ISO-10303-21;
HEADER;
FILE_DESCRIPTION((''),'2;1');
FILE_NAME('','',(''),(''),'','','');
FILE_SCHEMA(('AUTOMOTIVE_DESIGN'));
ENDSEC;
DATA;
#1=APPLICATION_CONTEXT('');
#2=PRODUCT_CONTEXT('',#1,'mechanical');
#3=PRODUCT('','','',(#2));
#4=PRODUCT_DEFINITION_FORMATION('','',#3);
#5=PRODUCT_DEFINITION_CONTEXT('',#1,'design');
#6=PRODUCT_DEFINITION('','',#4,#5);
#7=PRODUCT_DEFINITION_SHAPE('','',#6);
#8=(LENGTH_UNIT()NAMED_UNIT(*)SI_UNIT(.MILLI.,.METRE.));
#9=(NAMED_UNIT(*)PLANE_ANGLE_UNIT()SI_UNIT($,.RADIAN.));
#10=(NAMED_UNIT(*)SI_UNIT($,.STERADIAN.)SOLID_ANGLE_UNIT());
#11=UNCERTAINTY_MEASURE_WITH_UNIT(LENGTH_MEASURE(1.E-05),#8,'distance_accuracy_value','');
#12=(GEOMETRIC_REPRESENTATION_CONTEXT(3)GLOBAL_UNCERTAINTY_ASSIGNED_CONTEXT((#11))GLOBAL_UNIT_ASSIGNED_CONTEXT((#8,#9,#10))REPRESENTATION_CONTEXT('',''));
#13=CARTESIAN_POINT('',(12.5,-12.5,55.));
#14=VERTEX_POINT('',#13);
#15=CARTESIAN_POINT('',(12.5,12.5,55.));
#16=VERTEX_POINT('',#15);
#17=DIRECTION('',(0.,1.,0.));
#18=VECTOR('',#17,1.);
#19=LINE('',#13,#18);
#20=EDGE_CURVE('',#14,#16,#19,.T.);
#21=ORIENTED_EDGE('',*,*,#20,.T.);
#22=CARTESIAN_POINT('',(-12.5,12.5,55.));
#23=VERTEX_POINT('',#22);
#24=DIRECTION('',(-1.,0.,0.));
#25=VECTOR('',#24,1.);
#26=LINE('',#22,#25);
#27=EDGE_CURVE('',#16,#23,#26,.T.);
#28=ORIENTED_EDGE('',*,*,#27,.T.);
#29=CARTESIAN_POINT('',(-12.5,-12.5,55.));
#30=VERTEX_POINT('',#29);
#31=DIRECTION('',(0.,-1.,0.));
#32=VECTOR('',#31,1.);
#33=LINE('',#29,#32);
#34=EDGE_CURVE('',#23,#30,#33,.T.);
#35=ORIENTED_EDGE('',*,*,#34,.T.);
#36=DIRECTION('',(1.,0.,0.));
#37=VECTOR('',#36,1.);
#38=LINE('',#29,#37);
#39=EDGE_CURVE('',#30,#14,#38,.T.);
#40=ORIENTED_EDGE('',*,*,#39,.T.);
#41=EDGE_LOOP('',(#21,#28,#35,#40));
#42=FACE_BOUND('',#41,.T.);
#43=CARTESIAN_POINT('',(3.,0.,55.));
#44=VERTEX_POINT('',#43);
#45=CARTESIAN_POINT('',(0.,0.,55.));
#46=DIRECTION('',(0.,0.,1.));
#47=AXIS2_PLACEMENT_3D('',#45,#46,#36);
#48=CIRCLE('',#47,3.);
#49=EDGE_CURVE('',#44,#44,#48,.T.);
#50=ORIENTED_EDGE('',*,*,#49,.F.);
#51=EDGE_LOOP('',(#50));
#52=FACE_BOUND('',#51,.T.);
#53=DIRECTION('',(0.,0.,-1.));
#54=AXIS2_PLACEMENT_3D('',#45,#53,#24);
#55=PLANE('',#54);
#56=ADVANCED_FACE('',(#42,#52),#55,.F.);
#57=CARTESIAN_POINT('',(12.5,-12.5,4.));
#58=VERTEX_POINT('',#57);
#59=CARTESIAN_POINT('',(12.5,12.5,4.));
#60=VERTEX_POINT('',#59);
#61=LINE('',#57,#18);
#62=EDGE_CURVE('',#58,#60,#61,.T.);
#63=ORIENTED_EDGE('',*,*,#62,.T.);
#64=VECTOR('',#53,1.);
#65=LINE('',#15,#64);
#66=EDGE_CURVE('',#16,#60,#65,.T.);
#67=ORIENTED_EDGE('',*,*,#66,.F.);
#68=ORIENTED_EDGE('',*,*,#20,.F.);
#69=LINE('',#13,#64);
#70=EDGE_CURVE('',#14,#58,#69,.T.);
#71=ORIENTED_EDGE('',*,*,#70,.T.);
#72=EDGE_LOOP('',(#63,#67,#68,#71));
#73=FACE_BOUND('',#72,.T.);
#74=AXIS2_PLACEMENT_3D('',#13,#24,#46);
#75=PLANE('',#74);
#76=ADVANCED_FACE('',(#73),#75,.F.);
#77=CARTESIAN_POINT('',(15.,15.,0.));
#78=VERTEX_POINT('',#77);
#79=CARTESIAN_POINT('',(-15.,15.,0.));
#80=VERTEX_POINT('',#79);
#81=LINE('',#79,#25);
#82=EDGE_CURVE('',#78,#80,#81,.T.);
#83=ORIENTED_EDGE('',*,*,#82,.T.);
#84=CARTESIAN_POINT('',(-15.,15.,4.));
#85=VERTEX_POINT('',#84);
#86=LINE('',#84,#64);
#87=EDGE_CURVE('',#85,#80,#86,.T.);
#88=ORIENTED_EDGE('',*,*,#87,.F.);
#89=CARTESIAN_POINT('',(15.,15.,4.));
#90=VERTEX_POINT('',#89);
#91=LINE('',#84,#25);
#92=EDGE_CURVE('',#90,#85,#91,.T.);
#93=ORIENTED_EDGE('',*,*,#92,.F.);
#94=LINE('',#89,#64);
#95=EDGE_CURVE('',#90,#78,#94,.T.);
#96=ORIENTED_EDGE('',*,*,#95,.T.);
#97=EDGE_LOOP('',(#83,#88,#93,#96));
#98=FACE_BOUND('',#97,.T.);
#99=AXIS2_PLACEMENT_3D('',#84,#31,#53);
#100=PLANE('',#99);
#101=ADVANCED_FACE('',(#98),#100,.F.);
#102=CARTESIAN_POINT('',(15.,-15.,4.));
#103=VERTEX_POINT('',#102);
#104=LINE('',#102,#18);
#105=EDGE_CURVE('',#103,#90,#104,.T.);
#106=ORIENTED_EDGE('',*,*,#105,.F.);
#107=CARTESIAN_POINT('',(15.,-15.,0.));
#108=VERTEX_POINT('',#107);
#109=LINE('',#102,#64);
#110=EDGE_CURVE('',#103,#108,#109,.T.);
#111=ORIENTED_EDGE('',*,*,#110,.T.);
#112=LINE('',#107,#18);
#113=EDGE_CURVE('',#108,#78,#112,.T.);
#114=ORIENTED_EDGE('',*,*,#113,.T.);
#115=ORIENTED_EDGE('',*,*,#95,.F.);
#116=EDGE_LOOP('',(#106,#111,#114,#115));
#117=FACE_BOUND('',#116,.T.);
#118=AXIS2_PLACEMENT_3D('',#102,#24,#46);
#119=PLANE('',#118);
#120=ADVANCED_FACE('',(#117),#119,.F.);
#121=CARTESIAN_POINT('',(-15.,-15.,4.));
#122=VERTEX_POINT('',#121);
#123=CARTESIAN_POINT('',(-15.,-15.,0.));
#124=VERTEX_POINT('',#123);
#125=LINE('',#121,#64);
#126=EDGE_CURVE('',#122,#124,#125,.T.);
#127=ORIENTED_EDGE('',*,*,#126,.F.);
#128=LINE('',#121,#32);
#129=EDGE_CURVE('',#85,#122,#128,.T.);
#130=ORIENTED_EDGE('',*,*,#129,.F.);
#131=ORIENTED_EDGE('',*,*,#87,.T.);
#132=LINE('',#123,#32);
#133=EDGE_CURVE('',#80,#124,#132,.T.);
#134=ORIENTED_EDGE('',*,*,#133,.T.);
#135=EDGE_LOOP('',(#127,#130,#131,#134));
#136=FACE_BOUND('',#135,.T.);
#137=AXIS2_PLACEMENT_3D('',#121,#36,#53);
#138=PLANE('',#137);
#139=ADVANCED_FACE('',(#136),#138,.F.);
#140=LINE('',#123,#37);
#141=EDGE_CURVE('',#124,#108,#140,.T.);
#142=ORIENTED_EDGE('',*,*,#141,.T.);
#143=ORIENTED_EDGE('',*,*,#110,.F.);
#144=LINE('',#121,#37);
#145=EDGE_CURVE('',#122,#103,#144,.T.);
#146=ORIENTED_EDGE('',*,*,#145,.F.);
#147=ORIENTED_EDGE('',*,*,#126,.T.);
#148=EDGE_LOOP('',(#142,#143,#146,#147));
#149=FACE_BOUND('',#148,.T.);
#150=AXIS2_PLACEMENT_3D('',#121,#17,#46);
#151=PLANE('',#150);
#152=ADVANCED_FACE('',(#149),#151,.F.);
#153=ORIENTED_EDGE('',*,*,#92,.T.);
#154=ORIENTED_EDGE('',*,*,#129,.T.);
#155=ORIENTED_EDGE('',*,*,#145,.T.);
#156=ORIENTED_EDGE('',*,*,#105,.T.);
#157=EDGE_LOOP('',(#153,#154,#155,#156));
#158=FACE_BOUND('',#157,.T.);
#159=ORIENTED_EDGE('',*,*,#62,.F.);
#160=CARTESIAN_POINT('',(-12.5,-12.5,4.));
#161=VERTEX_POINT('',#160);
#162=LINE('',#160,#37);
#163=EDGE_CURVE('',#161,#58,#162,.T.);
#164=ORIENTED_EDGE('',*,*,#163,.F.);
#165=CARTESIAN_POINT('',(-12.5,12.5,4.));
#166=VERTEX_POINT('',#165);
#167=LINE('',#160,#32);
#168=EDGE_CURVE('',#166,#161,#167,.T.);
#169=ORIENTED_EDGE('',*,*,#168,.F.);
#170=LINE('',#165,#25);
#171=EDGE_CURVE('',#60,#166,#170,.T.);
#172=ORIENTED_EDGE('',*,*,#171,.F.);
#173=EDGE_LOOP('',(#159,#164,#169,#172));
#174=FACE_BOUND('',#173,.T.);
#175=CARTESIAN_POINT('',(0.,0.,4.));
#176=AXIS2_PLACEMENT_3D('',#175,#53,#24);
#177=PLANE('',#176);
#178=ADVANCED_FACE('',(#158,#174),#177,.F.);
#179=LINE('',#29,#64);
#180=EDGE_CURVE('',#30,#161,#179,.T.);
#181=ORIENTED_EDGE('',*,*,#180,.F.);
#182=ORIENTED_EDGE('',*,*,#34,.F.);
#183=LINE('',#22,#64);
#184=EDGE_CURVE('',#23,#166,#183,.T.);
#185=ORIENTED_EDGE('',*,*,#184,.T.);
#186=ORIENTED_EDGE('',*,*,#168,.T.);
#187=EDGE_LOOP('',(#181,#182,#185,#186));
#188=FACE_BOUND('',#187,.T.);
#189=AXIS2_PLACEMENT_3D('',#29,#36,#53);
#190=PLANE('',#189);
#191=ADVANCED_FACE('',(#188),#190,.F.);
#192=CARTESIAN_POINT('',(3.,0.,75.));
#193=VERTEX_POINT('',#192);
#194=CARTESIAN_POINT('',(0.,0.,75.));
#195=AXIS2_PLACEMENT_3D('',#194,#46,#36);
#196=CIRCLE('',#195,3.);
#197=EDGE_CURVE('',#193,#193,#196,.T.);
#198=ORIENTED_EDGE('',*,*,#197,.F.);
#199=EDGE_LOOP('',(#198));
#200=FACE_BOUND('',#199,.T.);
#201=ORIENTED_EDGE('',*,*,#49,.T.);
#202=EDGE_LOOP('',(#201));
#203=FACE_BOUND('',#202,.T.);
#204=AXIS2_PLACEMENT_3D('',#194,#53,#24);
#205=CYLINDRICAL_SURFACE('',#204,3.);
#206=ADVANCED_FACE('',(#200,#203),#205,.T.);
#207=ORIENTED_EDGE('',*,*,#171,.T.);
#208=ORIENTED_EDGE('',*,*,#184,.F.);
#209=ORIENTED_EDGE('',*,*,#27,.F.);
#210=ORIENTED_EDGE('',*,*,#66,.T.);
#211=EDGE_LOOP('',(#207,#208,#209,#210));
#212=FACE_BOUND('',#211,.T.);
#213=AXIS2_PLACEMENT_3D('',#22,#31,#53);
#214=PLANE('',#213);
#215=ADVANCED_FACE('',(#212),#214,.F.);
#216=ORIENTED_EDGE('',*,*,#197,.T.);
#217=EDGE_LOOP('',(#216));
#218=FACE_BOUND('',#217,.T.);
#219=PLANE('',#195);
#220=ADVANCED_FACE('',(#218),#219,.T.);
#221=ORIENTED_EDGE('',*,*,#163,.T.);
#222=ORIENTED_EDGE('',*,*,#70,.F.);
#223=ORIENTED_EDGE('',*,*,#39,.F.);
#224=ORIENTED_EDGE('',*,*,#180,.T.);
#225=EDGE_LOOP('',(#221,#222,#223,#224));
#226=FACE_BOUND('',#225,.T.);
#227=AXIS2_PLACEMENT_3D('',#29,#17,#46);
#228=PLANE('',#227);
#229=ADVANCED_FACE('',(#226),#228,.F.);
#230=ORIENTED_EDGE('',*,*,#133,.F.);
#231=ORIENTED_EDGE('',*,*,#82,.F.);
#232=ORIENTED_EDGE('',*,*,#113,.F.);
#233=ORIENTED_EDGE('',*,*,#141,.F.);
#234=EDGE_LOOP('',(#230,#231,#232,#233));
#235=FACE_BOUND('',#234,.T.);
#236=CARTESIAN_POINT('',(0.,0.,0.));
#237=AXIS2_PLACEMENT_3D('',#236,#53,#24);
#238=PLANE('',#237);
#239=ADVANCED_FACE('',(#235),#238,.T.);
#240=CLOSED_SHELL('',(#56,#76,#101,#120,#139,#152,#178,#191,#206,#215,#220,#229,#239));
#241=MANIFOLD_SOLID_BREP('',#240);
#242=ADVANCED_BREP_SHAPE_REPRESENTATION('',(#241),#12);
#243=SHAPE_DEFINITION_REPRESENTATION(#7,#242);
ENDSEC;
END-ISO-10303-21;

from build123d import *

# Parameters (mm, degrees)
SKETCH1_W           = 30
SKETCH1_H           = 30
BOSS_EXTRUDE1_DEPTH = 4
SKETCH2_W           = 25
SKETCH2_H           = 25
BOSS_EXTRUDE2_DEPTH = 51
SKETCH3_R           = 3
BOSS_EXTRUDE3_DEPTH = 20


with BuildPart() as part:
    # Sketch1 → Boss-Extrude1 (new body)
    with BuildSketch(Plane.XY):
        Rectangle(SKETCH1_W, SKETCH1_H)
    extrude(amount=BOSS_EXTRUDE1_DEPTH)

    # Sketch2 → Boss-Extrude2 (add)
    with BuildSketch(Plane.XY.offset(4)):
        Rectangle(SKETCH2_W, SKETCH2_H)
    extrude(amount=BOSS_EXTRUDE2_DEPTH)

    # Sketch3 → Boss-Extrude3 (add)
    with BuildSketch(Plane.XY.offset(55)):
        Circle(SKETCH3_R)
    extrude(amount=BOSS_EXTRUDE3_DEPTH)


solid = part.part
